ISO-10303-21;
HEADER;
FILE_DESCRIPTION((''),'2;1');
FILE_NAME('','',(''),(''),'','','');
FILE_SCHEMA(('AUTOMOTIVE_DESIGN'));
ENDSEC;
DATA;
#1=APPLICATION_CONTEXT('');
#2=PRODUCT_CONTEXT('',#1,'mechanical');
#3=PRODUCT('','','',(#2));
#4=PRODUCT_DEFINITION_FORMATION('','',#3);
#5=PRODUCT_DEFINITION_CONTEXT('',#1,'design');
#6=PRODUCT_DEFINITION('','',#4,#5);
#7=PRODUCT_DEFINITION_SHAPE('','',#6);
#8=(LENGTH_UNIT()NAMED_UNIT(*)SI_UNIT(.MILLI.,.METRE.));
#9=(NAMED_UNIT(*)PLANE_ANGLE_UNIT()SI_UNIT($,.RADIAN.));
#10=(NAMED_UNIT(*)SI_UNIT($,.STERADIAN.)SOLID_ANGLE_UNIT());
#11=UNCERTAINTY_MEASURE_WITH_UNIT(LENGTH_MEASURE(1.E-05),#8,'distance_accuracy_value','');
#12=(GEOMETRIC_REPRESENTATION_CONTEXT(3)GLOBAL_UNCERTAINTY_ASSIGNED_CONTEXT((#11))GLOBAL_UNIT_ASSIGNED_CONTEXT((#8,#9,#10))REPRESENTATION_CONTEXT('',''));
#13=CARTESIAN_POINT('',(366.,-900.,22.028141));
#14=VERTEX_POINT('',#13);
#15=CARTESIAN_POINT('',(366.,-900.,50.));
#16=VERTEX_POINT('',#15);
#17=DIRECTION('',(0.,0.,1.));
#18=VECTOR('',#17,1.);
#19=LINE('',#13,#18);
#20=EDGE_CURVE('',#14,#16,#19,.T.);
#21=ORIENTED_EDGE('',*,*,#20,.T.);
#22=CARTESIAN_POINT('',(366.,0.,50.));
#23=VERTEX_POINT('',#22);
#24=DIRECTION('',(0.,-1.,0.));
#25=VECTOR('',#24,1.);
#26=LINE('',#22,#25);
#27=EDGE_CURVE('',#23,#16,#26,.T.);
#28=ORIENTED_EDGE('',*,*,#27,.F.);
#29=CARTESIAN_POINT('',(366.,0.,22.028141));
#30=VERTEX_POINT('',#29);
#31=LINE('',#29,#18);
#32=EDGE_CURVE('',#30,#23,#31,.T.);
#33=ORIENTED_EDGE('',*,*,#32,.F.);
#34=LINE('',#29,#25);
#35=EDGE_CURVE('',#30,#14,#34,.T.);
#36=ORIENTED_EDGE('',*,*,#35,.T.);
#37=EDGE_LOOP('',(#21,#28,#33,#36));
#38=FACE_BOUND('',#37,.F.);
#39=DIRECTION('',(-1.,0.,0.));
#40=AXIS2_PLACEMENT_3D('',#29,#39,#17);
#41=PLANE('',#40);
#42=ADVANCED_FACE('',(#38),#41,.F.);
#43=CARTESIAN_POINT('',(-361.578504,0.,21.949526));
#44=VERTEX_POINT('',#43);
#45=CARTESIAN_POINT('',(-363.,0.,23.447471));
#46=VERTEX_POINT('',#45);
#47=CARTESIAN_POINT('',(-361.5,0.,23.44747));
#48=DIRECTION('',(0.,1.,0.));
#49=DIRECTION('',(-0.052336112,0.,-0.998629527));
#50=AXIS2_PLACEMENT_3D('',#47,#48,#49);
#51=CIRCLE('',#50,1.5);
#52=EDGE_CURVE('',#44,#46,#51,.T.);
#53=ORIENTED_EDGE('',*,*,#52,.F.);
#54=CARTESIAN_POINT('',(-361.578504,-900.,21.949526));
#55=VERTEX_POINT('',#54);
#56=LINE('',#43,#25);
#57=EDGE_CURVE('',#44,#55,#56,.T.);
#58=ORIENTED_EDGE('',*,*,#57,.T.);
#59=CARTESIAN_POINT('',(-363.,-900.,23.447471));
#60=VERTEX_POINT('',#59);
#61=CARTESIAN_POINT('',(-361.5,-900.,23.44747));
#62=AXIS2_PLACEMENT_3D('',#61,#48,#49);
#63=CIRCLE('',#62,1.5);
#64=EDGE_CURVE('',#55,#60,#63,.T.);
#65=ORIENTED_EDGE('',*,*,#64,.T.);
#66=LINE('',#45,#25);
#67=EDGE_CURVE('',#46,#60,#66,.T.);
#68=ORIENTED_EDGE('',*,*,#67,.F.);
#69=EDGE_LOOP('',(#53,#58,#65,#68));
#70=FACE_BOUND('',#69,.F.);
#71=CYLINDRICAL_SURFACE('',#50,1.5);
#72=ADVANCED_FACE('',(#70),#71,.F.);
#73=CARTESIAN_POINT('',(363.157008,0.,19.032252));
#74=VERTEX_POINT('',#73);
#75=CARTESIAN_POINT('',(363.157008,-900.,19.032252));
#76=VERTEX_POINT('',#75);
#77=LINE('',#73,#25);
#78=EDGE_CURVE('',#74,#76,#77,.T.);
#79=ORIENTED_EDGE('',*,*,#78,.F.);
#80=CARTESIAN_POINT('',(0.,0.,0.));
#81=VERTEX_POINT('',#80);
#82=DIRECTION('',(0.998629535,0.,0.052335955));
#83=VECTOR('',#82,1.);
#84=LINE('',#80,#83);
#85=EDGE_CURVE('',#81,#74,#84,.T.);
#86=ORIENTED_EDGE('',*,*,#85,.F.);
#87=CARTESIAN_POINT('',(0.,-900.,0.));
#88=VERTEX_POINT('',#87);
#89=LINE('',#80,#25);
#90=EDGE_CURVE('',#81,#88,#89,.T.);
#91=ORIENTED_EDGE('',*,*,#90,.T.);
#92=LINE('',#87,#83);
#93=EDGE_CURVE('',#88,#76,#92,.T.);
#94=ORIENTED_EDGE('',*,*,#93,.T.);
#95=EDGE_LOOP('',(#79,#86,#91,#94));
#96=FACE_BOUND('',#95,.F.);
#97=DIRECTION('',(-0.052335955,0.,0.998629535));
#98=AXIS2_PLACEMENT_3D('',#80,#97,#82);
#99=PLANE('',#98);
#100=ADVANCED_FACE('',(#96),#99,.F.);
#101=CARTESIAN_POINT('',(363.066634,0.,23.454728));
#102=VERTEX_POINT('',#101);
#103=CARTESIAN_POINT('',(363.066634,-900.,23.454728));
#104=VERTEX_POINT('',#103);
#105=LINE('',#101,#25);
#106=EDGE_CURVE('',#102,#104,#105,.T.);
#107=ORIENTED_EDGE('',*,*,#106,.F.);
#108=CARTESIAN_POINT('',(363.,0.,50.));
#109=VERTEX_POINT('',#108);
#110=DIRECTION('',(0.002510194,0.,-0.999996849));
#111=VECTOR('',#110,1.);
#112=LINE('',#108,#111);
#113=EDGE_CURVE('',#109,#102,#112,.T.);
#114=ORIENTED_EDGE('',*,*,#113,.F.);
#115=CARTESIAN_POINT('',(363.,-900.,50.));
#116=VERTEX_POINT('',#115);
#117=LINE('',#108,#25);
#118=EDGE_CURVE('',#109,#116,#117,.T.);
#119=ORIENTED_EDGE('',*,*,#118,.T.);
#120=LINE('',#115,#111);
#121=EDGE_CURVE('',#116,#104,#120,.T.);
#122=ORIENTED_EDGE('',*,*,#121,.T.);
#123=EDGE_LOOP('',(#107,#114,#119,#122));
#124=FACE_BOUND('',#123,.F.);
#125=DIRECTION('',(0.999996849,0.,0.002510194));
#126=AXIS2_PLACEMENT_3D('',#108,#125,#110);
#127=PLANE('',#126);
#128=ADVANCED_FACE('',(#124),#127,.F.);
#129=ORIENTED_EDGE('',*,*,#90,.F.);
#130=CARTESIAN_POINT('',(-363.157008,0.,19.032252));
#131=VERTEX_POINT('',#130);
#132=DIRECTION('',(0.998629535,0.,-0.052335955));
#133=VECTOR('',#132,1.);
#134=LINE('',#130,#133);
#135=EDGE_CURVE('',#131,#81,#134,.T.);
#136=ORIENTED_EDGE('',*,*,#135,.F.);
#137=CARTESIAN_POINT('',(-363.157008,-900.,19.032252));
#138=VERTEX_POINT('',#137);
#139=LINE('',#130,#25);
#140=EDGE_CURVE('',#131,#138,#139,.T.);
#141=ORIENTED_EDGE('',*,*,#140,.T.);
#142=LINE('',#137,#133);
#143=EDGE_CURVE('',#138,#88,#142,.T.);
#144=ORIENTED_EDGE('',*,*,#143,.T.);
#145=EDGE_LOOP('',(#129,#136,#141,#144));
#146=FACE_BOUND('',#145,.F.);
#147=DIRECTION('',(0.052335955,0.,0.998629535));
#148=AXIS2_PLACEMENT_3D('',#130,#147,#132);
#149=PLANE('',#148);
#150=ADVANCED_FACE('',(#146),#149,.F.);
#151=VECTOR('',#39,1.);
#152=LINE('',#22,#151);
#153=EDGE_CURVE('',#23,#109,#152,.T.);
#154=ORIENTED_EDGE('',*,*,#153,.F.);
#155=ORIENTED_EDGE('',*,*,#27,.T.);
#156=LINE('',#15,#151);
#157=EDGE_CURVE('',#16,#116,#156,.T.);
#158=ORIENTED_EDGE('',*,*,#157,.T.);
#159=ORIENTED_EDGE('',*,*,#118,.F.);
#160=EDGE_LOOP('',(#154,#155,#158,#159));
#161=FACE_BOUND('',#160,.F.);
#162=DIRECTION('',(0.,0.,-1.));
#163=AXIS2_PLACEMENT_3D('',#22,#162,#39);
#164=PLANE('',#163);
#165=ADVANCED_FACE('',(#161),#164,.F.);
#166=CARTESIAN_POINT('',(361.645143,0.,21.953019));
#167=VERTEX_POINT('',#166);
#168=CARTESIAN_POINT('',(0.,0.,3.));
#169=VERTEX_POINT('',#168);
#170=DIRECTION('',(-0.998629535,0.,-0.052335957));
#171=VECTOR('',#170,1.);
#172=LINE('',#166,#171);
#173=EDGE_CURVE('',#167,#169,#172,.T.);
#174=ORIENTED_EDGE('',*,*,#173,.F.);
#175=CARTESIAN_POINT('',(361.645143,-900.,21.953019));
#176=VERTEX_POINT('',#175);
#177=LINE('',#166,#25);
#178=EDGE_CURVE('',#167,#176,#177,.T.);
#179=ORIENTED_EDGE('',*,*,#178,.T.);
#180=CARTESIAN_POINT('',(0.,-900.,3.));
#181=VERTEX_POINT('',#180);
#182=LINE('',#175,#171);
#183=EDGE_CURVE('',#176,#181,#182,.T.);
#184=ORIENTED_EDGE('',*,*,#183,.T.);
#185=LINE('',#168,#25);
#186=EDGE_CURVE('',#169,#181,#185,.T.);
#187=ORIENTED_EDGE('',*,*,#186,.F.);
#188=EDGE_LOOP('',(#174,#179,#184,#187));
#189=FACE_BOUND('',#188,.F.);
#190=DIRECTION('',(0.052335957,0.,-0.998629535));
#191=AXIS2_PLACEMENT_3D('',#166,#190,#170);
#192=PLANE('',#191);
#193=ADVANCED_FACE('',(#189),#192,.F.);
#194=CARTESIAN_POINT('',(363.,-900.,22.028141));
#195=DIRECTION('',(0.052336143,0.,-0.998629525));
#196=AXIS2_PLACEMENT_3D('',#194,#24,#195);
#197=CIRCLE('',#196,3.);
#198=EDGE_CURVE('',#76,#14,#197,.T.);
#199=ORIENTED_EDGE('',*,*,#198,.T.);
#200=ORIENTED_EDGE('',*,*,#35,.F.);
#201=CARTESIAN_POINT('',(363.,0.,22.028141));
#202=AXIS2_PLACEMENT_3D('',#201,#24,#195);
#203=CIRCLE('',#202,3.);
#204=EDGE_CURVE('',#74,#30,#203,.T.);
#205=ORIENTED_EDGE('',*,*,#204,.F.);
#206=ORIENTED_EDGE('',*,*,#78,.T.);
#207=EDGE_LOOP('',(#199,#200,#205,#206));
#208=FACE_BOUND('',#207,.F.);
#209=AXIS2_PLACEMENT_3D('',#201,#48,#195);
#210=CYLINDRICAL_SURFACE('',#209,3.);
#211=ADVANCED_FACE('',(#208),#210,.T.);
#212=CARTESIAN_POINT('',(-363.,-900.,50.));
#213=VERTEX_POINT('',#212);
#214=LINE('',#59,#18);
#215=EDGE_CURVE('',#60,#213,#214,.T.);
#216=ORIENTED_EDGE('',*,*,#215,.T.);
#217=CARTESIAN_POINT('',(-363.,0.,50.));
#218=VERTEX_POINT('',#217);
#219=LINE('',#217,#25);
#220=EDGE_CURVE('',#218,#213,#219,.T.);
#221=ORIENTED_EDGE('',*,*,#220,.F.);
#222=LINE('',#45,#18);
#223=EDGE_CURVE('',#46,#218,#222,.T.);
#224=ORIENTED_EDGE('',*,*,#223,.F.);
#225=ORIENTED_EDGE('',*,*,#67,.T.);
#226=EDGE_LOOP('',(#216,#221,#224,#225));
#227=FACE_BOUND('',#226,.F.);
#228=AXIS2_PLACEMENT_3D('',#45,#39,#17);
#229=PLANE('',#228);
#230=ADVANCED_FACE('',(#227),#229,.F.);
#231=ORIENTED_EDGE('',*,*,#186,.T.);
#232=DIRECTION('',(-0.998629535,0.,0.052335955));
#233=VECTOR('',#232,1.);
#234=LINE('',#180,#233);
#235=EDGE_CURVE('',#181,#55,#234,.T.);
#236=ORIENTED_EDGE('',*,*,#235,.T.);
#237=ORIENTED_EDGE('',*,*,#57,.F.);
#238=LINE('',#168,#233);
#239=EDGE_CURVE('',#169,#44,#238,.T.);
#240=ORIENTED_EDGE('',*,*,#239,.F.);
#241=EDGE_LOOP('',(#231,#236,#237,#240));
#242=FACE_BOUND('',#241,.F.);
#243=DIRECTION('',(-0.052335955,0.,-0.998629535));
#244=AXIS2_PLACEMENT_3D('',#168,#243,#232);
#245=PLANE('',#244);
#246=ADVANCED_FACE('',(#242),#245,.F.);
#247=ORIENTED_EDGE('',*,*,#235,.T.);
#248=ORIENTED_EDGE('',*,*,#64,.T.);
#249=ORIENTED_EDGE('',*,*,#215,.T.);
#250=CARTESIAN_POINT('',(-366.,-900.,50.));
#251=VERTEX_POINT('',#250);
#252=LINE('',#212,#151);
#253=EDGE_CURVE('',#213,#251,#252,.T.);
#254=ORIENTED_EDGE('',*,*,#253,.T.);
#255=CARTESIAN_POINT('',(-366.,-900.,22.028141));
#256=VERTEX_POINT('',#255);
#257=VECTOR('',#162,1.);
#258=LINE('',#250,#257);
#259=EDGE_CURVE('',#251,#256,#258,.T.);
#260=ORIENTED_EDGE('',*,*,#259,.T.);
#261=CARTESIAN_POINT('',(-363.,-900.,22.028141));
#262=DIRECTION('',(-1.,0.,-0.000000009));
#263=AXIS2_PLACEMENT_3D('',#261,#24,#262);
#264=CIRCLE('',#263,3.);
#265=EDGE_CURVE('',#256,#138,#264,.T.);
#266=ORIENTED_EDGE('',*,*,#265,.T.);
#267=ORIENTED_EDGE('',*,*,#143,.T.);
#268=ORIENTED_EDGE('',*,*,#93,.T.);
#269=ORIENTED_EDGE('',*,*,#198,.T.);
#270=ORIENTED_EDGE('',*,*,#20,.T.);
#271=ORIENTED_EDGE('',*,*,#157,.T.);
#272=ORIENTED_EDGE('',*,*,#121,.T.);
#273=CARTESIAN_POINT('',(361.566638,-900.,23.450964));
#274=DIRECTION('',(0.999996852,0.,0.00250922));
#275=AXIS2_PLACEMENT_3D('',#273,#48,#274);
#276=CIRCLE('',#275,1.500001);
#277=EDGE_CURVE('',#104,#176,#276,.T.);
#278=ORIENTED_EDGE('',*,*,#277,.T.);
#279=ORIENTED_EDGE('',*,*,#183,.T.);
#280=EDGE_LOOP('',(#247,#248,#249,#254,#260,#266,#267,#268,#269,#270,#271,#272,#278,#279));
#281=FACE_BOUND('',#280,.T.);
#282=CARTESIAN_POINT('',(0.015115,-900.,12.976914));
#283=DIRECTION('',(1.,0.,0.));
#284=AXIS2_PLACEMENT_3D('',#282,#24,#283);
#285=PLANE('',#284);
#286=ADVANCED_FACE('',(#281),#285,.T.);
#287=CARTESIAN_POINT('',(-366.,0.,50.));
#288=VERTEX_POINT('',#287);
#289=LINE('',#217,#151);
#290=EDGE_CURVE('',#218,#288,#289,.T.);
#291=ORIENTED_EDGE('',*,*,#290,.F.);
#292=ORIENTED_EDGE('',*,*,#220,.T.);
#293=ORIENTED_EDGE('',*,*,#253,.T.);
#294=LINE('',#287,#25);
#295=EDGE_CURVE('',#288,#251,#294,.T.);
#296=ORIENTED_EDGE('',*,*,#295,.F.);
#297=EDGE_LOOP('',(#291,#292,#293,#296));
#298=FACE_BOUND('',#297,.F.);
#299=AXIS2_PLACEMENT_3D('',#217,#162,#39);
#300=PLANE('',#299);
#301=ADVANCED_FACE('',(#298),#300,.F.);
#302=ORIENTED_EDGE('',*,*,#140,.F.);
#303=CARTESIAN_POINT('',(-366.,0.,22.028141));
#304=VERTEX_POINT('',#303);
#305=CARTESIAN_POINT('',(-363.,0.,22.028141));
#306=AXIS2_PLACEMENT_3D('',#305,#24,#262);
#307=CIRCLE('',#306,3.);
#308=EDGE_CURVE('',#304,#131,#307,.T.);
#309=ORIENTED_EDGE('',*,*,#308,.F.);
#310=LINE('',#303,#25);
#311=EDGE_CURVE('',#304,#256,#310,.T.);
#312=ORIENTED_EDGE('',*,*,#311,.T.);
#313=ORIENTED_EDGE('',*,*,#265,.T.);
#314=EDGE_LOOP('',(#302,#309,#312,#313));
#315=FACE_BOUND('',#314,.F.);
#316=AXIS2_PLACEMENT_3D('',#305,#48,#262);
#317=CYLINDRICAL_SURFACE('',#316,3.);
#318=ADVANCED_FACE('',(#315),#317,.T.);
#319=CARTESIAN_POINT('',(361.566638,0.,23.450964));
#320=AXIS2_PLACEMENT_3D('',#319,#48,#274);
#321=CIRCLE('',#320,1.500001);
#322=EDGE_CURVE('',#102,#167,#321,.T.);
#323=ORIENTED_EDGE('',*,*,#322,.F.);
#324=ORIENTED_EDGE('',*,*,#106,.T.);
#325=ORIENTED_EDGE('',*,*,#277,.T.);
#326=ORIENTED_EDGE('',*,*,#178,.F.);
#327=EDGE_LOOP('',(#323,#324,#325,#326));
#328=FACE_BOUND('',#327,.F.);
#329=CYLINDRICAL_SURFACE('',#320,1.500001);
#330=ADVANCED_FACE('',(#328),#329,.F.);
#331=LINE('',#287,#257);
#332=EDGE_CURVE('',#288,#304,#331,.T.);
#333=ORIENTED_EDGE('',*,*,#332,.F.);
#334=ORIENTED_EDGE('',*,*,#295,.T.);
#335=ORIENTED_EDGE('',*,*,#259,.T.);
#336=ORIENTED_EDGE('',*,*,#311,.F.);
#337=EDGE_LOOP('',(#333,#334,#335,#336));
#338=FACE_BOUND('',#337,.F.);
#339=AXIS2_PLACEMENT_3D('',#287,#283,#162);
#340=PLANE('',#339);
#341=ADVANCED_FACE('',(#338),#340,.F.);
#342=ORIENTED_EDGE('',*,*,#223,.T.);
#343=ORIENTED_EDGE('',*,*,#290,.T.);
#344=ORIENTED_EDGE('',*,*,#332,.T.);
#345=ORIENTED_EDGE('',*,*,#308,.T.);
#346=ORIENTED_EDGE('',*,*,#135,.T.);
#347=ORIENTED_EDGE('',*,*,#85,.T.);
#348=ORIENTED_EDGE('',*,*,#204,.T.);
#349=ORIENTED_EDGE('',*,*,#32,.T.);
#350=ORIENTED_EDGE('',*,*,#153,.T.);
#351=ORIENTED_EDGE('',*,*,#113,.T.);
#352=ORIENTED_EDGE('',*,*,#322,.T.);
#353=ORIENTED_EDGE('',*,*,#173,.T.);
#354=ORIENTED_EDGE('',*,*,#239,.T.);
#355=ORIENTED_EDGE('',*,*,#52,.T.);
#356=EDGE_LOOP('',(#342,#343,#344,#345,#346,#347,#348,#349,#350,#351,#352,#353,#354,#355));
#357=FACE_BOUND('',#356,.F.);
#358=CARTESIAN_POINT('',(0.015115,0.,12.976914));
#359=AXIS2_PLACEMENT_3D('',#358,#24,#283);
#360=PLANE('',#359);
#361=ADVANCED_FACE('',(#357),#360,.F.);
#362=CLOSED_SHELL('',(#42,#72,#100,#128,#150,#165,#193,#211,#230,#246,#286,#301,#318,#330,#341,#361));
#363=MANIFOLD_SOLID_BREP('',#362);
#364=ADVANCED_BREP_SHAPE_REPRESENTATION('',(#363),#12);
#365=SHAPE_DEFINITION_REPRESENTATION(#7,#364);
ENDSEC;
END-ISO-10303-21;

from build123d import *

# Parameters (mm, degrees)
F1_DEPTH = 900


with BuildPart() as f1:
    # F0 (on Front) → F1 (new body)
    with BuildSketch(Plane.XZ):
        with BuildLine():
            Line((-363.157008, 19.032252), (0, 0))
            Line((0, 0), (363.157008, 19.032252))
            ThreePointArc((363.157008, 19.032252), (365.176123, 19.963077), (366, 22.028141))
            Line((366, 22.028141), (366, 50))
            Line((366, 50), (363, 50))
            Line((363, 50), (363.066634, 23.454728))
            ThreePointArc((363.066634, 23.454728), (362.655995, 22.419798), (361.645143, 21.953019))
            Line((361.645143, 21.953019), (0, 3))
            Line((0, 3), (-361.578504, 21.949526))
            ThreePointArc((-361.578504, 21.949526), (-362.588062, 22.414939), (-363, 23.447471))
            Line((-363, 23.447471), (-363, 50))
            Line((-363, 50), (-366, 50))
            Line((-366, 50), (-366, 22.028141))
            ThreePointArc((-366, 22.028141), (-365.176123, 19.963077), (-363.157008, 19.032252))
        make_face()
    extrude(amount=F1_DEPTH)


solid = f1.part
